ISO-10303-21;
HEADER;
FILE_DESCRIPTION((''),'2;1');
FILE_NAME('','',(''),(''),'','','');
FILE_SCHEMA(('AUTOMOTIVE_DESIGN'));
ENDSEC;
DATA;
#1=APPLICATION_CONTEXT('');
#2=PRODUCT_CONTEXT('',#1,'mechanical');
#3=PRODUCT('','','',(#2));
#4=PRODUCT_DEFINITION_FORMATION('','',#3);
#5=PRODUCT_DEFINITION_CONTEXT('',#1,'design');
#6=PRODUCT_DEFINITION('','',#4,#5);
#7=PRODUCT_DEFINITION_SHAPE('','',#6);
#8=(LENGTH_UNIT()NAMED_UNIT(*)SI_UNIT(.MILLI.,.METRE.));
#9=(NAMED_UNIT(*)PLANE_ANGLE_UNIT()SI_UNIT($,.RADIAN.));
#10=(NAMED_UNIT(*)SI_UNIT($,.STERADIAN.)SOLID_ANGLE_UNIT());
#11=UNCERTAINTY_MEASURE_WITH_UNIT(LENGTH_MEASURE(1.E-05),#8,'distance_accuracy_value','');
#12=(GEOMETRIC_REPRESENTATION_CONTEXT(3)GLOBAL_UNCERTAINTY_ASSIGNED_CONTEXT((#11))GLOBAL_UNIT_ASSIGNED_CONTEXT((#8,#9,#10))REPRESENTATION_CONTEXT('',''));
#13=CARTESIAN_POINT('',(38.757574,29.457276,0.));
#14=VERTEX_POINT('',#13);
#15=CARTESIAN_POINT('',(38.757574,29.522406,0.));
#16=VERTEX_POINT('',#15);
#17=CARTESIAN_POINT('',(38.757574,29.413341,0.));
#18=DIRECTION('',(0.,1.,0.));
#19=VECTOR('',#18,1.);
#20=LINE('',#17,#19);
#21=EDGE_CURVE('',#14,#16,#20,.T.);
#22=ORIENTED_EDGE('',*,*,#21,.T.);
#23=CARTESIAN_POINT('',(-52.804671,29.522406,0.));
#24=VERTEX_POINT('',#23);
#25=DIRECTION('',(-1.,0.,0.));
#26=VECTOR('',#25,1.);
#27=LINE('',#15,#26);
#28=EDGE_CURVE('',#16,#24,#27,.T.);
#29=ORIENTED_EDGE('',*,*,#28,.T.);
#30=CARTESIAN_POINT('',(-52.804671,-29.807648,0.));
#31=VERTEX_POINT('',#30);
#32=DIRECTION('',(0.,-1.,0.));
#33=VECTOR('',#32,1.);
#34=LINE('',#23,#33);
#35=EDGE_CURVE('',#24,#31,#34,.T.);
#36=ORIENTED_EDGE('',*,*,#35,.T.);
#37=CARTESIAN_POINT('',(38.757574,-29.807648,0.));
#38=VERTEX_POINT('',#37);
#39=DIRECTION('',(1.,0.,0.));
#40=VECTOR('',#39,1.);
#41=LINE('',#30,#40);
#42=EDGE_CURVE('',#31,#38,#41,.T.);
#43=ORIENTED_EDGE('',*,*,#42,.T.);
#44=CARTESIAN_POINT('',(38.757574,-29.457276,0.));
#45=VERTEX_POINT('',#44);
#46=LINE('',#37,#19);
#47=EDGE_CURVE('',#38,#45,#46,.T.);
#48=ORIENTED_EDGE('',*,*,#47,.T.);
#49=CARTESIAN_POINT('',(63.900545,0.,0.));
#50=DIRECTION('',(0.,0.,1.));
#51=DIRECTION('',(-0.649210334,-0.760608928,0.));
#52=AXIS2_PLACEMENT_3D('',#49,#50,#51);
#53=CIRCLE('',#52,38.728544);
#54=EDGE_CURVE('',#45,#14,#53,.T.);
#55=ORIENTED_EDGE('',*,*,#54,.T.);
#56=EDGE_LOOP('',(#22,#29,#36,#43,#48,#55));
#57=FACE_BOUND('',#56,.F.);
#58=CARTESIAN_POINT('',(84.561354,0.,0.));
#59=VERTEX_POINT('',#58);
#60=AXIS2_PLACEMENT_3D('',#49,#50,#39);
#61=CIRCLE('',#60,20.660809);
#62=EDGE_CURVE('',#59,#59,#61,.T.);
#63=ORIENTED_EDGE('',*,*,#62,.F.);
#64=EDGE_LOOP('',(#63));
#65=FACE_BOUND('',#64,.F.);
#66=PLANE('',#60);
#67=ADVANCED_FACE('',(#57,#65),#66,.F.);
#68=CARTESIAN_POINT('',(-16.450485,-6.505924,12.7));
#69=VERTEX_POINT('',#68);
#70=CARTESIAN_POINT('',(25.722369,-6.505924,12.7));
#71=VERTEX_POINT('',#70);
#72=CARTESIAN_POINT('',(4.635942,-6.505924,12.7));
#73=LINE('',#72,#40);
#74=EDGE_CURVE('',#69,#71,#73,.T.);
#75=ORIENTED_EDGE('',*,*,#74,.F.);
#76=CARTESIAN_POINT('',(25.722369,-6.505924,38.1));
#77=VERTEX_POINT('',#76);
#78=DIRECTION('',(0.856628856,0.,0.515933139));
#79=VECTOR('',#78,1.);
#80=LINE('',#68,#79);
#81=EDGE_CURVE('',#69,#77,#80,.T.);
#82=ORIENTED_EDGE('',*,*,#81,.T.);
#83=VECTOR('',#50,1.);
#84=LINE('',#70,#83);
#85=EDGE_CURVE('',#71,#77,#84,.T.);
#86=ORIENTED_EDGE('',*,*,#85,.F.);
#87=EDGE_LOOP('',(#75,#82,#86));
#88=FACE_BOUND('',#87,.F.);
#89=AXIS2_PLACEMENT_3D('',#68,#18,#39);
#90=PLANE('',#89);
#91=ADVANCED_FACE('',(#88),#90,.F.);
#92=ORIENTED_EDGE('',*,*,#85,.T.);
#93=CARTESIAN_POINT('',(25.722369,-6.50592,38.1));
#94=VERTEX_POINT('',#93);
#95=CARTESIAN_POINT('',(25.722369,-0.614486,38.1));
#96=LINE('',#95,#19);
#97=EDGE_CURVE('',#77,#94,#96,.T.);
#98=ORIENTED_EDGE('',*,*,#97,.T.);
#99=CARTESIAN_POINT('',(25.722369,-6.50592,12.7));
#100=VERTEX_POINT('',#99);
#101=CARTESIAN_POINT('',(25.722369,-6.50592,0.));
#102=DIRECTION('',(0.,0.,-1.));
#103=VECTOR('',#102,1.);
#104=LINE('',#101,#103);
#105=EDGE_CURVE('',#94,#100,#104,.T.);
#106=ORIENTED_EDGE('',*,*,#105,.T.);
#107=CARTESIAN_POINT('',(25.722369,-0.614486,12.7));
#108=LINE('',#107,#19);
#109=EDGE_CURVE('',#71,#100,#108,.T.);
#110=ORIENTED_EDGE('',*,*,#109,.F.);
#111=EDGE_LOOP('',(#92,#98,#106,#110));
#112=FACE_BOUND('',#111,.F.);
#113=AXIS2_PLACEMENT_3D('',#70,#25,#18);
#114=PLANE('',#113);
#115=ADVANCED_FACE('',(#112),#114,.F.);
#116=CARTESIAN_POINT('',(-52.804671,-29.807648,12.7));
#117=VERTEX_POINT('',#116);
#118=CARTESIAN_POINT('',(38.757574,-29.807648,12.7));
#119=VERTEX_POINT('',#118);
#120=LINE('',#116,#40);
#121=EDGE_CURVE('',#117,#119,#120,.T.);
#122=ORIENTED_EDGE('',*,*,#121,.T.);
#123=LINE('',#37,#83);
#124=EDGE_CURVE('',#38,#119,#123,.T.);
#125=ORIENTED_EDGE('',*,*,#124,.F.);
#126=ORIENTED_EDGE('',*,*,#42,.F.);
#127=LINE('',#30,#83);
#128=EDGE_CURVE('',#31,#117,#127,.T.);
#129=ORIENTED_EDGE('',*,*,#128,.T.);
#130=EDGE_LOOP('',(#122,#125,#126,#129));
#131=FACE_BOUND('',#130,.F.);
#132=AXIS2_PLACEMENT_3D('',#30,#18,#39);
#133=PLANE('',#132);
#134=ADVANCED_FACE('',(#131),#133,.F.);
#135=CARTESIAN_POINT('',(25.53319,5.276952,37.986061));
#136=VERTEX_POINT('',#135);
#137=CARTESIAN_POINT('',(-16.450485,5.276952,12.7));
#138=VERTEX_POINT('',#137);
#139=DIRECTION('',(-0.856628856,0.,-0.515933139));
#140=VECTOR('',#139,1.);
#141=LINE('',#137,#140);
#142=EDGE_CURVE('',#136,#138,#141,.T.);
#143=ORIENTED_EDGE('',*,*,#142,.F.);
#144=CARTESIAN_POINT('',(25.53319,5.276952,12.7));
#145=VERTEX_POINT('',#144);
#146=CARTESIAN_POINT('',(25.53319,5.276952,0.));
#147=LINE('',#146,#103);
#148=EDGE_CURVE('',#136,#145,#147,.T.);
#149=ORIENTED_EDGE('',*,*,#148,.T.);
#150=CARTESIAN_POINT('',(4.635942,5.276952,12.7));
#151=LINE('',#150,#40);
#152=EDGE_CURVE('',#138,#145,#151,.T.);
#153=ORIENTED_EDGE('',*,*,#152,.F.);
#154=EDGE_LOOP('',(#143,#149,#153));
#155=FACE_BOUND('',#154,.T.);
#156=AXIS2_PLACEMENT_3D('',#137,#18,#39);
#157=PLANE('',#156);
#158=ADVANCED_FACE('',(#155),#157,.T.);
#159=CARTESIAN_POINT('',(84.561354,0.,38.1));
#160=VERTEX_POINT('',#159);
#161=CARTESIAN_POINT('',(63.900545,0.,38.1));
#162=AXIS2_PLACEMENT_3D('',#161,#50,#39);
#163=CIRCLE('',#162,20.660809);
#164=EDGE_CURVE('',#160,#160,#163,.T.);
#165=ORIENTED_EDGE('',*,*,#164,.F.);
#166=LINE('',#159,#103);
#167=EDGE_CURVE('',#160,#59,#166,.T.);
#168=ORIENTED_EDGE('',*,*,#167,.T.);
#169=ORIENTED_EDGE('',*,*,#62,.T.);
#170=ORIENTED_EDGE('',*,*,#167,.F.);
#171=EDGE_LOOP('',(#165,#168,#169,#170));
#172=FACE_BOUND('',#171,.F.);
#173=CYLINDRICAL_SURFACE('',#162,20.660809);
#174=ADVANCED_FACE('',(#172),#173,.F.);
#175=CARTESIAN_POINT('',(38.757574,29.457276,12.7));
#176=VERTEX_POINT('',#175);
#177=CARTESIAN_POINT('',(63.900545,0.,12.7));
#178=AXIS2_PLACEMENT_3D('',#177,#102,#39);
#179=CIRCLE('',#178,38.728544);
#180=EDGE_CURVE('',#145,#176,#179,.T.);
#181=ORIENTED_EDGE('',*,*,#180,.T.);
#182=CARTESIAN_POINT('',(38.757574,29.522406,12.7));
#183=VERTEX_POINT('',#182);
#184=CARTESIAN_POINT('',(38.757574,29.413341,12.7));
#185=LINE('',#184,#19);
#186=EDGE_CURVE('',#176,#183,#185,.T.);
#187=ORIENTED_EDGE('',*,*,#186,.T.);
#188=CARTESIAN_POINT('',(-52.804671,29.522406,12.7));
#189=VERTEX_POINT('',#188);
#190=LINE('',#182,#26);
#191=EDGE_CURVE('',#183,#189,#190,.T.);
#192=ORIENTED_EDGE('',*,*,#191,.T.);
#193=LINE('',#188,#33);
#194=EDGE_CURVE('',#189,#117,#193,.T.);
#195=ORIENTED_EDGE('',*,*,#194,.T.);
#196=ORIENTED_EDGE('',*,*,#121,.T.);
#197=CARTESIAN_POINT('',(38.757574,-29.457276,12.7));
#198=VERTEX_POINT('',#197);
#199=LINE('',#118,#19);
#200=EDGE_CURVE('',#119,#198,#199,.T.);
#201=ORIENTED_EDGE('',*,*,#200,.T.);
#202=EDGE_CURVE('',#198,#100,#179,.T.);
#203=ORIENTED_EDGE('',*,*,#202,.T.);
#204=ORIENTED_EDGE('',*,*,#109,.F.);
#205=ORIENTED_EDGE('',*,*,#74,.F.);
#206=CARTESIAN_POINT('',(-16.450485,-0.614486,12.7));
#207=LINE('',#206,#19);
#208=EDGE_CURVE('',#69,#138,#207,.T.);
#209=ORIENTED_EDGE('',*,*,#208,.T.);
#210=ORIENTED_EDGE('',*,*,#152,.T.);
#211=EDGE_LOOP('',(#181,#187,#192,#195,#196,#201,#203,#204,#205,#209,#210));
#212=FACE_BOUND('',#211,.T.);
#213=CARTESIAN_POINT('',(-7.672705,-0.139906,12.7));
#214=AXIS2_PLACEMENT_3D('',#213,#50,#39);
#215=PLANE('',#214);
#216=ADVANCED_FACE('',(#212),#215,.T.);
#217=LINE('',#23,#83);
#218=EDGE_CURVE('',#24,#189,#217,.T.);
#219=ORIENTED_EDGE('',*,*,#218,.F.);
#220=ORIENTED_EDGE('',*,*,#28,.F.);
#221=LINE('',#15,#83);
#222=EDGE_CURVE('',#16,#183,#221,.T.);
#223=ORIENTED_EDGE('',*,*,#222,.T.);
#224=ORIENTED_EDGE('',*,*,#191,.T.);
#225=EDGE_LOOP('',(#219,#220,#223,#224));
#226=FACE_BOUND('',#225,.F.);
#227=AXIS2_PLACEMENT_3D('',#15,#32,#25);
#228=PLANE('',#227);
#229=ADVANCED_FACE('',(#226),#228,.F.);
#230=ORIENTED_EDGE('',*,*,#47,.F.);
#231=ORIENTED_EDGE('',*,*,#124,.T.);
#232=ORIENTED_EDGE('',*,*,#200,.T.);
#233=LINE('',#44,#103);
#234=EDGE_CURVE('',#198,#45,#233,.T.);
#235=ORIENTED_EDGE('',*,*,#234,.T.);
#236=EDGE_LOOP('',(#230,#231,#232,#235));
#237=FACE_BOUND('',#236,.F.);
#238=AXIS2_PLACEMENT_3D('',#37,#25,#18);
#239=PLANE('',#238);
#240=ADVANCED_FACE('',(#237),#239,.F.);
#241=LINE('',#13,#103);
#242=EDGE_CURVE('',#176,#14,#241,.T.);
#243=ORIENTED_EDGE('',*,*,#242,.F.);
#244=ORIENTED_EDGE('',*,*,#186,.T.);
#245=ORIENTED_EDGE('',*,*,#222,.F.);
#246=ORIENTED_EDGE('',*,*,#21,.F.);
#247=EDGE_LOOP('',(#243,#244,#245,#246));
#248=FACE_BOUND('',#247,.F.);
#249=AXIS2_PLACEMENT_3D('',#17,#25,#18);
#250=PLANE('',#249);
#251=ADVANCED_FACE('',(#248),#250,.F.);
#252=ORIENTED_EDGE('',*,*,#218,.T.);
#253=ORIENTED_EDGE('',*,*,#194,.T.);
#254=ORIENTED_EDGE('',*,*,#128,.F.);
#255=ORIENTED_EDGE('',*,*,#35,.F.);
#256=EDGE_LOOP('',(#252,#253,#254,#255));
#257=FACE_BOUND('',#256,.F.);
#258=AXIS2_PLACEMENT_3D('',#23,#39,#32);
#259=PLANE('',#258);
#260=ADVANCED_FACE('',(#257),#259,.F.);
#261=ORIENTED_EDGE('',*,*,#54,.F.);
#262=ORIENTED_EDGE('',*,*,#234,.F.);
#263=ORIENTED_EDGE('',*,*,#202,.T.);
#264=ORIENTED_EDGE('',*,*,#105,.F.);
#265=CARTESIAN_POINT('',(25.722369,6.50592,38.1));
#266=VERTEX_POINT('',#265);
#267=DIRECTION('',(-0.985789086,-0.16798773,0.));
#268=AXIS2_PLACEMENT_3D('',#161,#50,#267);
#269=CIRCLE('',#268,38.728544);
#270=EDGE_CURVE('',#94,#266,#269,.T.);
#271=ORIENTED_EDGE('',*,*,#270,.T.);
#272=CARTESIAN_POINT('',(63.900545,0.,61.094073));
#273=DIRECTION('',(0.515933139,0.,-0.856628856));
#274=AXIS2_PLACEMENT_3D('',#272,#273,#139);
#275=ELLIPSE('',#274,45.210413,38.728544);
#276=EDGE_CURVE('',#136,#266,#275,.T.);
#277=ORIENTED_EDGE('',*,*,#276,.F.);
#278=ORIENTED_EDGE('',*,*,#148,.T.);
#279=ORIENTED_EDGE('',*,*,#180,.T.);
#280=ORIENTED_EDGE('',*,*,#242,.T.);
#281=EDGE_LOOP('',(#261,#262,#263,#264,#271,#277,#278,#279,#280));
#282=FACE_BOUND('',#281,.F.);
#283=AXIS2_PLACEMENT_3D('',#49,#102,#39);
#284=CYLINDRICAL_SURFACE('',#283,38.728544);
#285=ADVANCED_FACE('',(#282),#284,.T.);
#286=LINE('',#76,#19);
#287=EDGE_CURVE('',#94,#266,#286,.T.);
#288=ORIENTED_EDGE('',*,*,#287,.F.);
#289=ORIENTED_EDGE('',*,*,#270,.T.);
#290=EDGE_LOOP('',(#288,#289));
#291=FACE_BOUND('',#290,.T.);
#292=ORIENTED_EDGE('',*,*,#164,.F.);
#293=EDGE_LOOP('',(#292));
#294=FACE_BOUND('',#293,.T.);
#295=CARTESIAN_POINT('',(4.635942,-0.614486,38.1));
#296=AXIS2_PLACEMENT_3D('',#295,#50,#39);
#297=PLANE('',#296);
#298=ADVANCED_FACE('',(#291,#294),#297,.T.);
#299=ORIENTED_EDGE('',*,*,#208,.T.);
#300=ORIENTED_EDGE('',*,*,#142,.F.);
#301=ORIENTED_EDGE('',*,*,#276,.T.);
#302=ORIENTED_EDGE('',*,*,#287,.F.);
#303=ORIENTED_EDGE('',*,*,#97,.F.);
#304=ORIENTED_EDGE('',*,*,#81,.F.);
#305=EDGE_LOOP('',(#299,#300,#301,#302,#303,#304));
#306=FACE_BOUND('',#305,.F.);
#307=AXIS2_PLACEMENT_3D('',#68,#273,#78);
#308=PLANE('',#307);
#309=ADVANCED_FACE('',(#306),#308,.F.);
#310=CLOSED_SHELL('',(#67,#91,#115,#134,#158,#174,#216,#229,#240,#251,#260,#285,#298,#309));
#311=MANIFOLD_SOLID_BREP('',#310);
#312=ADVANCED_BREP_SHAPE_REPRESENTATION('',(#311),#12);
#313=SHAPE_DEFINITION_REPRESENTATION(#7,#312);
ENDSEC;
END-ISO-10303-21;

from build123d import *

# Parameters (mm, degrees)
F1_DEPTH = 12.7
F2_R     = 38.728544
F3_DEPTH = 38.1
F4_W     = 42.172854
F4_H     = 11.782876
F5_DEPTH = 25.4
F7_DEPTH = 25.4
F8_R     = 20.660809
F9_DEPTH = 50.8


with BuildPart() as f1:
    # F0 (on Top) → F1 (new body)
    with BuildSketch(Plane.XY):
        with BuildLine():
            Line((38.757574, 29.522406), (-52.804671, 29.522406))
            Line((-52.804671, 29.522406), (-52.804671, -29.807648))
            Line((-52.804671, -29.807648), (38.757574, -29.807648))
            Line((38.757574, -29.807648), (38.757574, -29.413341))
            ThreePointArc((38.757574, -29.413341), (26.480182, 0), (38.757574, 29.413341))
            Line((38.757574, 29.413341), (38.757574, 29.522406))
        make_face()
    extrude(amount=F1_DEPTH)

    # F2 (on Top) → F3 (join)
    with BuildSketch(Plane.XY):
        with Locations((63.900545, 0)):
            Circle(F2_R)
    extrude(amount=F3_DEPTH)

    # F4 (on face) → F5 (join)
    with BuildSketch(Plane.XY.offset(12.7)):
        with Locations((4.635942, -0.614486)):
            Rectangle(F4_W, F4_H)
    extrude(amount=F5_DEPTH)

    # F6 (on face) → F7 (cut)
    with BuildSketch(Plane.XZ.offset(6.505924)):
        Polygon((-16.450485, 12.7), (25.722369, 38.1), (-16.450485, 38.1), align=None)
    extrude(amount=-F7_DEPTH, mode=Mode.SUBTRACT)

    # F8 (on face) → F9 (cut)
    with BuildSketch(Plane.XY.offset(38.1)):
        with Locations((63.900545, 0)):
            Circle(F8_R)
    extrude(amount=-F9_DEPTH, mode=Mode.SUBTRACT)


solid = f1.part
